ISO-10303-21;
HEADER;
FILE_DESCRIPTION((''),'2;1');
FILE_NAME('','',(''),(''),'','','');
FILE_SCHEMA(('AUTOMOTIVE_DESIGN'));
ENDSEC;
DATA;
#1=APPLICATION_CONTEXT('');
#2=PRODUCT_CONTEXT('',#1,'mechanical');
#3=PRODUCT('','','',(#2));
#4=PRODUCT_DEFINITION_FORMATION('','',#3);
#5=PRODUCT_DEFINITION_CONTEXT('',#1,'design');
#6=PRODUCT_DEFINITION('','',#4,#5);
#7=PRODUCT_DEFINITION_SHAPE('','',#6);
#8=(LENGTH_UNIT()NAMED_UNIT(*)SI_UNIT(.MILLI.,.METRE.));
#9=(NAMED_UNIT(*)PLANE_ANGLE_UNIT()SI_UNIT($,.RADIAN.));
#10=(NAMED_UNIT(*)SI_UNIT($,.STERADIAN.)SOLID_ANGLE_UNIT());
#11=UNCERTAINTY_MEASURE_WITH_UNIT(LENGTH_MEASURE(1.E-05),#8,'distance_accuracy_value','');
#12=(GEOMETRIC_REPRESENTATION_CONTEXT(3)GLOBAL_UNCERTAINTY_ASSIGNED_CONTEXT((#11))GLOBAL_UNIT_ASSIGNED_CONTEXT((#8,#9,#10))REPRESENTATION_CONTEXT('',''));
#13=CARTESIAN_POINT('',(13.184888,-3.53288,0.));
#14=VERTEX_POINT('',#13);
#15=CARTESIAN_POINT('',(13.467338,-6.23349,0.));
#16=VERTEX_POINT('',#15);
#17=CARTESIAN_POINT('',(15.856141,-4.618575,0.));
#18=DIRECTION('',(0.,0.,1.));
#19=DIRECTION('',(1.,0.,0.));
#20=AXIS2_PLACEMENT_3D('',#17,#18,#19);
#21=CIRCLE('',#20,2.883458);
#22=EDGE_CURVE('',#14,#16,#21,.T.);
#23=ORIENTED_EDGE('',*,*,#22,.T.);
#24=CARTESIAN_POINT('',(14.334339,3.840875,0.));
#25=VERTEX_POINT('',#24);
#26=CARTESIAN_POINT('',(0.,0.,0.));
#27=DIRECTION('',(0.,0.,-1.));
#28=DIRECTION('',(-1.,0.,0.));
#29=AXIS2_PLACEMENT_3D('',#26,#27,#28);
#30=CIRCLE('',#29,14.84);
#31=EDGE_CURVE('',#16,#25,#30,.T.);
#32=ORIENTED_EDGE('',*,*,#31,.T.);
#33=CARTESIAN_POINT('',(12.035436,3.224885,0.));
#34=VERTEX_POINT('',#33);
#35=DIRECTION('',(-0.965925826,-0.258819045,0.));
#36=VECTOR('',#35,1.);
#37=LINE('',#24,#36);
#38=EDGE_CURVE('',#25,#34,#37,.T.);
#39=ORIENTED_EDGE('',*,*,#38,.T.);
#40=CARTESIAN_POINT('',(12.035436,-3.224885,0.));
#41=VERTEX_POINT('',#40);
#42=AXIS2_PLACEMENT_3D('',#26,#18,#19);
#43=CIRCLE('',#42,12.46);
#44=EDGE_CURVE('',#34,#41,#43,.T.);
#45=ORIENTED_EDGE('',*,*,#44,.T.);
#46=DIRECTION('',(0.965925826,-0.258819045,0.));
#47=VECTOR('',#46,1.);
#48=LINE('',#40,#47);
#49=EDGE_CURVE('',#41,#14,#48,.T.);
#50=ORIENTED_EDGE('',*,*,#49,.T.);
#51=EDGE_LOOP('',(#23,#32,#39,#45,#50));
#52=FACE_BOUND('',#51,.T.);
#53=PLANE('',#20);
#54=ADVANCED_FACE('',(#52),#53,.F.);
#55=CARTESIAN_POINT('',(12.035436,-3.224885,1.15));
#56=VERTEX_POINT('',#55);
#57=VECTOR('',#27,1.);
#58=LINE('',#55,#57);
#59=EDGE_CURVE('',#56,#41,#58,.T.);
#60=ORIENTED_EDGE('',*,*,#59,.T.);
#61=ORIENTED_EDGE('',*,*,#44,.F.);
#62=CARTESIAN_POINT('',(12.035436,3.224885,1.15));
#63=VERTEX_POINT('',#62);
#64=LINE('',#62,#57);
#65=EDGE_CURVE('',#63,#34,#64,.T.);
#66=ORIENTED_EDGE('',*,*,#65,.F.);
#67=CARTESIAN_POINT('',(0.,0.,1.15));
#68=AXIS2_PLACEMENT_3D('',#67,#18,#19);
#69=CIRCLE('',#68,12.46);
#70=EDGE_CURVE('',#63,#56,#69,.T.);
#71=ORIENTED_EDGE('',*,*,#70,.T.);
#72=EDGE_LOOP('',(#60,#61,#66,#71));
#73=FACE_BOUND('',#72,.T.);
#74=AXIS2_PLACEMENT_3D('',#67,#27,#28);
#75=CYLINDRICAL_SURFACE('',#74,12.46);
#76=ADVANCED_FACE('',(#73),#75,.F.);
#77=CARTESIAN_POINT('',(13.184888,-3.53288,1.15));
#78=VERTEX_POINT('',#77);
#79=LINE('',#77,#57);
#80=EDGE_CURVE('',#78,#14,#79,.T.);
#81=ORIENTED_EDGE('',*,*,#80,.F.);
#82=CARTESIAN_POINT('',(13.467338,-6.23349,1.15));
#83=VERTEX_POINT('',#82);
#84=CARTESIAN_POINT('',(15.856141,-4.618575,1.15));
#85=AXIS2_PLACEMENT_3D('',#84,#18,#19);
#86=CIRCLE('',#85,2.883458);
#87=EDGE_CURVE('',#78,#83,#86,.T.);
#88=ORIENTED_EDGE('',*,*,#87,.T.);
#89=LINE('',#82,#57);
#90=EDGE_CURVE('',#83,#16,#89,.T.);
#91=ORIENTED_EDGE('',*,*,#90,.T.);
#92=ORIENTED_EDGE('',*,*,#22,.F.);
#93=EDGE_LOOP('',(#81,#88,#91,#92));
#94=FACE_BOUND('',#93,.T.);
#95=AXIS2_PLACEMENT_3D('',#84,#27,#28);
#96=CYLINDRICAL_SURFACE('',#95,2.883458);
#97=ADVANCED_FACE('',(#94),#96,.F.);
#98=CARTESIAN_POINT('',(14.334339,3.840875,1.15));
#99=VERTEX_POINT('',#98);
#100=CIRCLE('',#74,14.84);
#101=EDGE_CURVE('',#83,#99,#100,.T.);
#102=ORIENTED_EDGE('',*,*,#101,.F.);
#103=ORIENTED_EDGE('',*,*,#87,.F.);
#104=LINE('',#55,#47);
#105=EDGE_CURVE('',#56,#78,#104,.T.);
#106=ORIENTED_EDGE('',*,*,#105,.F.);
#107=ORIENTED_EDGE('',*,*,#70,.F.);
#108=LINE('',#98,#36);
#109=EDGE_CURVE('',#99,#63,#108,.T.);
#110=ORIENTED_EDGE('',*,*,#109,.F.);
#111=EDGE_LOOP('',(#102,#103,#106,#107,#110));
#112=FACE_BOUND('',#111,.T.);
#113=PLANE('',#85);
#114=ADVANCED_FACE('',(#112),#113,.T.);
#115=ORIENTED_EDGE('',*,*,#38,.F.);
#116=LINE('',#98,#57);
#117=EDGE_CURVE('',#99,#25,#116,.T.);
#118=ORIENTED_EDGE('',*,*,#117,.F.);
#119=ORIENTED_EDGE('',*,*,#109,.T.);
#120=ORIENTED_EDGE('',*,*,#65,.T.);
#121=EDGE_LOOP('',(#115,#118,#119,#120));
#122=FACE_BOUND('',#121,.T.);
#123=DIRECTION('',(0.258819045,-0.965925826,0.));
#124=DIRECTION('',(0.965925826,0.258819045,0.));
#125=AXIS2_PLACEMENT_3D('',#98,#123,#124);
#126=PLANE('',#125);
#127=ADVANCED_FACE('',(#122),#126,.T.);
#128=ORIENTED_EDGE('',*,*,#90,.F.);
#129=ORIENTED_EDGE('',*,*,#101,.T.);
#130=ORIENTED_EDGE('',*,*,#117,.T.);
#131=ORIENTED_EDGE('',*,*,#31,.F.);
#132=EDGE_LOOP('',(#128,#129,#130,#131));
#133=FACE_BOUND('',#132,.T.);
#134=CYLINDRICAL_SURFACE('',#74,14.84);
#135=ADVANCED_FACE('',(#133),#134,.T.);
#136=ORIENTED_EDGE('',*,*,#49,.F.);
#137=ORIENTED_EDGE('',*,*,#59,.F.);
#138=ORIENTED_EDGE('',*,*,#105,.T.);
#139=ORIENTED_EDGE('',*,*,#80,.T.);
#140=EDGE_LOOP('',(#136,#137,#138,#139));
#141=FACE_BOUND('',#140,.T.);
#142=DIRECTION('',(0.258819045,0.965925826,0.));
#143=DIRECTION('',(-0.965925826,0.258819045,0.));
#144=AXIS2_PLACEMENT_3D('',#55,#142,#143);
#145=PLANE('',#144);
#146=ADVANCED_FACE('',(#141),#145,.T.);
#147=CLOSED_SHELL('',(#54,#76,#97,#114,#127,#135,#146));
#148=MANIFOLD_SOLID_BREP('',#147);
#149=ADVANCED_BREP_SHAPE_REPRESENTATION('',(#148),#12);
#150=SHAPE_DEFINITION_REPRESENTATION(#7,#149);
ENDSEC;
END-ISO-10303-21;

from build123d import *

# Parameters (mm, degrees)
BOSS_EXTRUDE1_DEPTH = 1.15


with BuildPart() as part:
    # Sketch1 → Boss-Extrude1 (new body)
    with BuildSketch(Plane(origin=(0, 0, 0), x_dir=(-1, 0, 0), z_dir=(0, 0, -1))):
        with BuildLine():
            Line((-14.334339262, 3.840874629), (-12.035435796, 3.224885302))
            ThreePointArc((-12.035435796, 3.224885302), (12.46, 0), (-12.035435796, -3.224885302))
            Line((-12.035435796, -3.224885302), (-13.184887529, -3.532879966))
            ThreePointArc((-13.184887529, -3.532879966), (-12.98832562, -4.918513333), (-13.467338447, -6.233489806))
            ThreePointArc((-13.467338447, -6.233489806), (14.785348341, 1.272428564), (-14.334339262, 3.840874629))
        make_face()
    extrude(amount=-BOSS_EXTRUDE1_DEPTH)


solid = part.part
